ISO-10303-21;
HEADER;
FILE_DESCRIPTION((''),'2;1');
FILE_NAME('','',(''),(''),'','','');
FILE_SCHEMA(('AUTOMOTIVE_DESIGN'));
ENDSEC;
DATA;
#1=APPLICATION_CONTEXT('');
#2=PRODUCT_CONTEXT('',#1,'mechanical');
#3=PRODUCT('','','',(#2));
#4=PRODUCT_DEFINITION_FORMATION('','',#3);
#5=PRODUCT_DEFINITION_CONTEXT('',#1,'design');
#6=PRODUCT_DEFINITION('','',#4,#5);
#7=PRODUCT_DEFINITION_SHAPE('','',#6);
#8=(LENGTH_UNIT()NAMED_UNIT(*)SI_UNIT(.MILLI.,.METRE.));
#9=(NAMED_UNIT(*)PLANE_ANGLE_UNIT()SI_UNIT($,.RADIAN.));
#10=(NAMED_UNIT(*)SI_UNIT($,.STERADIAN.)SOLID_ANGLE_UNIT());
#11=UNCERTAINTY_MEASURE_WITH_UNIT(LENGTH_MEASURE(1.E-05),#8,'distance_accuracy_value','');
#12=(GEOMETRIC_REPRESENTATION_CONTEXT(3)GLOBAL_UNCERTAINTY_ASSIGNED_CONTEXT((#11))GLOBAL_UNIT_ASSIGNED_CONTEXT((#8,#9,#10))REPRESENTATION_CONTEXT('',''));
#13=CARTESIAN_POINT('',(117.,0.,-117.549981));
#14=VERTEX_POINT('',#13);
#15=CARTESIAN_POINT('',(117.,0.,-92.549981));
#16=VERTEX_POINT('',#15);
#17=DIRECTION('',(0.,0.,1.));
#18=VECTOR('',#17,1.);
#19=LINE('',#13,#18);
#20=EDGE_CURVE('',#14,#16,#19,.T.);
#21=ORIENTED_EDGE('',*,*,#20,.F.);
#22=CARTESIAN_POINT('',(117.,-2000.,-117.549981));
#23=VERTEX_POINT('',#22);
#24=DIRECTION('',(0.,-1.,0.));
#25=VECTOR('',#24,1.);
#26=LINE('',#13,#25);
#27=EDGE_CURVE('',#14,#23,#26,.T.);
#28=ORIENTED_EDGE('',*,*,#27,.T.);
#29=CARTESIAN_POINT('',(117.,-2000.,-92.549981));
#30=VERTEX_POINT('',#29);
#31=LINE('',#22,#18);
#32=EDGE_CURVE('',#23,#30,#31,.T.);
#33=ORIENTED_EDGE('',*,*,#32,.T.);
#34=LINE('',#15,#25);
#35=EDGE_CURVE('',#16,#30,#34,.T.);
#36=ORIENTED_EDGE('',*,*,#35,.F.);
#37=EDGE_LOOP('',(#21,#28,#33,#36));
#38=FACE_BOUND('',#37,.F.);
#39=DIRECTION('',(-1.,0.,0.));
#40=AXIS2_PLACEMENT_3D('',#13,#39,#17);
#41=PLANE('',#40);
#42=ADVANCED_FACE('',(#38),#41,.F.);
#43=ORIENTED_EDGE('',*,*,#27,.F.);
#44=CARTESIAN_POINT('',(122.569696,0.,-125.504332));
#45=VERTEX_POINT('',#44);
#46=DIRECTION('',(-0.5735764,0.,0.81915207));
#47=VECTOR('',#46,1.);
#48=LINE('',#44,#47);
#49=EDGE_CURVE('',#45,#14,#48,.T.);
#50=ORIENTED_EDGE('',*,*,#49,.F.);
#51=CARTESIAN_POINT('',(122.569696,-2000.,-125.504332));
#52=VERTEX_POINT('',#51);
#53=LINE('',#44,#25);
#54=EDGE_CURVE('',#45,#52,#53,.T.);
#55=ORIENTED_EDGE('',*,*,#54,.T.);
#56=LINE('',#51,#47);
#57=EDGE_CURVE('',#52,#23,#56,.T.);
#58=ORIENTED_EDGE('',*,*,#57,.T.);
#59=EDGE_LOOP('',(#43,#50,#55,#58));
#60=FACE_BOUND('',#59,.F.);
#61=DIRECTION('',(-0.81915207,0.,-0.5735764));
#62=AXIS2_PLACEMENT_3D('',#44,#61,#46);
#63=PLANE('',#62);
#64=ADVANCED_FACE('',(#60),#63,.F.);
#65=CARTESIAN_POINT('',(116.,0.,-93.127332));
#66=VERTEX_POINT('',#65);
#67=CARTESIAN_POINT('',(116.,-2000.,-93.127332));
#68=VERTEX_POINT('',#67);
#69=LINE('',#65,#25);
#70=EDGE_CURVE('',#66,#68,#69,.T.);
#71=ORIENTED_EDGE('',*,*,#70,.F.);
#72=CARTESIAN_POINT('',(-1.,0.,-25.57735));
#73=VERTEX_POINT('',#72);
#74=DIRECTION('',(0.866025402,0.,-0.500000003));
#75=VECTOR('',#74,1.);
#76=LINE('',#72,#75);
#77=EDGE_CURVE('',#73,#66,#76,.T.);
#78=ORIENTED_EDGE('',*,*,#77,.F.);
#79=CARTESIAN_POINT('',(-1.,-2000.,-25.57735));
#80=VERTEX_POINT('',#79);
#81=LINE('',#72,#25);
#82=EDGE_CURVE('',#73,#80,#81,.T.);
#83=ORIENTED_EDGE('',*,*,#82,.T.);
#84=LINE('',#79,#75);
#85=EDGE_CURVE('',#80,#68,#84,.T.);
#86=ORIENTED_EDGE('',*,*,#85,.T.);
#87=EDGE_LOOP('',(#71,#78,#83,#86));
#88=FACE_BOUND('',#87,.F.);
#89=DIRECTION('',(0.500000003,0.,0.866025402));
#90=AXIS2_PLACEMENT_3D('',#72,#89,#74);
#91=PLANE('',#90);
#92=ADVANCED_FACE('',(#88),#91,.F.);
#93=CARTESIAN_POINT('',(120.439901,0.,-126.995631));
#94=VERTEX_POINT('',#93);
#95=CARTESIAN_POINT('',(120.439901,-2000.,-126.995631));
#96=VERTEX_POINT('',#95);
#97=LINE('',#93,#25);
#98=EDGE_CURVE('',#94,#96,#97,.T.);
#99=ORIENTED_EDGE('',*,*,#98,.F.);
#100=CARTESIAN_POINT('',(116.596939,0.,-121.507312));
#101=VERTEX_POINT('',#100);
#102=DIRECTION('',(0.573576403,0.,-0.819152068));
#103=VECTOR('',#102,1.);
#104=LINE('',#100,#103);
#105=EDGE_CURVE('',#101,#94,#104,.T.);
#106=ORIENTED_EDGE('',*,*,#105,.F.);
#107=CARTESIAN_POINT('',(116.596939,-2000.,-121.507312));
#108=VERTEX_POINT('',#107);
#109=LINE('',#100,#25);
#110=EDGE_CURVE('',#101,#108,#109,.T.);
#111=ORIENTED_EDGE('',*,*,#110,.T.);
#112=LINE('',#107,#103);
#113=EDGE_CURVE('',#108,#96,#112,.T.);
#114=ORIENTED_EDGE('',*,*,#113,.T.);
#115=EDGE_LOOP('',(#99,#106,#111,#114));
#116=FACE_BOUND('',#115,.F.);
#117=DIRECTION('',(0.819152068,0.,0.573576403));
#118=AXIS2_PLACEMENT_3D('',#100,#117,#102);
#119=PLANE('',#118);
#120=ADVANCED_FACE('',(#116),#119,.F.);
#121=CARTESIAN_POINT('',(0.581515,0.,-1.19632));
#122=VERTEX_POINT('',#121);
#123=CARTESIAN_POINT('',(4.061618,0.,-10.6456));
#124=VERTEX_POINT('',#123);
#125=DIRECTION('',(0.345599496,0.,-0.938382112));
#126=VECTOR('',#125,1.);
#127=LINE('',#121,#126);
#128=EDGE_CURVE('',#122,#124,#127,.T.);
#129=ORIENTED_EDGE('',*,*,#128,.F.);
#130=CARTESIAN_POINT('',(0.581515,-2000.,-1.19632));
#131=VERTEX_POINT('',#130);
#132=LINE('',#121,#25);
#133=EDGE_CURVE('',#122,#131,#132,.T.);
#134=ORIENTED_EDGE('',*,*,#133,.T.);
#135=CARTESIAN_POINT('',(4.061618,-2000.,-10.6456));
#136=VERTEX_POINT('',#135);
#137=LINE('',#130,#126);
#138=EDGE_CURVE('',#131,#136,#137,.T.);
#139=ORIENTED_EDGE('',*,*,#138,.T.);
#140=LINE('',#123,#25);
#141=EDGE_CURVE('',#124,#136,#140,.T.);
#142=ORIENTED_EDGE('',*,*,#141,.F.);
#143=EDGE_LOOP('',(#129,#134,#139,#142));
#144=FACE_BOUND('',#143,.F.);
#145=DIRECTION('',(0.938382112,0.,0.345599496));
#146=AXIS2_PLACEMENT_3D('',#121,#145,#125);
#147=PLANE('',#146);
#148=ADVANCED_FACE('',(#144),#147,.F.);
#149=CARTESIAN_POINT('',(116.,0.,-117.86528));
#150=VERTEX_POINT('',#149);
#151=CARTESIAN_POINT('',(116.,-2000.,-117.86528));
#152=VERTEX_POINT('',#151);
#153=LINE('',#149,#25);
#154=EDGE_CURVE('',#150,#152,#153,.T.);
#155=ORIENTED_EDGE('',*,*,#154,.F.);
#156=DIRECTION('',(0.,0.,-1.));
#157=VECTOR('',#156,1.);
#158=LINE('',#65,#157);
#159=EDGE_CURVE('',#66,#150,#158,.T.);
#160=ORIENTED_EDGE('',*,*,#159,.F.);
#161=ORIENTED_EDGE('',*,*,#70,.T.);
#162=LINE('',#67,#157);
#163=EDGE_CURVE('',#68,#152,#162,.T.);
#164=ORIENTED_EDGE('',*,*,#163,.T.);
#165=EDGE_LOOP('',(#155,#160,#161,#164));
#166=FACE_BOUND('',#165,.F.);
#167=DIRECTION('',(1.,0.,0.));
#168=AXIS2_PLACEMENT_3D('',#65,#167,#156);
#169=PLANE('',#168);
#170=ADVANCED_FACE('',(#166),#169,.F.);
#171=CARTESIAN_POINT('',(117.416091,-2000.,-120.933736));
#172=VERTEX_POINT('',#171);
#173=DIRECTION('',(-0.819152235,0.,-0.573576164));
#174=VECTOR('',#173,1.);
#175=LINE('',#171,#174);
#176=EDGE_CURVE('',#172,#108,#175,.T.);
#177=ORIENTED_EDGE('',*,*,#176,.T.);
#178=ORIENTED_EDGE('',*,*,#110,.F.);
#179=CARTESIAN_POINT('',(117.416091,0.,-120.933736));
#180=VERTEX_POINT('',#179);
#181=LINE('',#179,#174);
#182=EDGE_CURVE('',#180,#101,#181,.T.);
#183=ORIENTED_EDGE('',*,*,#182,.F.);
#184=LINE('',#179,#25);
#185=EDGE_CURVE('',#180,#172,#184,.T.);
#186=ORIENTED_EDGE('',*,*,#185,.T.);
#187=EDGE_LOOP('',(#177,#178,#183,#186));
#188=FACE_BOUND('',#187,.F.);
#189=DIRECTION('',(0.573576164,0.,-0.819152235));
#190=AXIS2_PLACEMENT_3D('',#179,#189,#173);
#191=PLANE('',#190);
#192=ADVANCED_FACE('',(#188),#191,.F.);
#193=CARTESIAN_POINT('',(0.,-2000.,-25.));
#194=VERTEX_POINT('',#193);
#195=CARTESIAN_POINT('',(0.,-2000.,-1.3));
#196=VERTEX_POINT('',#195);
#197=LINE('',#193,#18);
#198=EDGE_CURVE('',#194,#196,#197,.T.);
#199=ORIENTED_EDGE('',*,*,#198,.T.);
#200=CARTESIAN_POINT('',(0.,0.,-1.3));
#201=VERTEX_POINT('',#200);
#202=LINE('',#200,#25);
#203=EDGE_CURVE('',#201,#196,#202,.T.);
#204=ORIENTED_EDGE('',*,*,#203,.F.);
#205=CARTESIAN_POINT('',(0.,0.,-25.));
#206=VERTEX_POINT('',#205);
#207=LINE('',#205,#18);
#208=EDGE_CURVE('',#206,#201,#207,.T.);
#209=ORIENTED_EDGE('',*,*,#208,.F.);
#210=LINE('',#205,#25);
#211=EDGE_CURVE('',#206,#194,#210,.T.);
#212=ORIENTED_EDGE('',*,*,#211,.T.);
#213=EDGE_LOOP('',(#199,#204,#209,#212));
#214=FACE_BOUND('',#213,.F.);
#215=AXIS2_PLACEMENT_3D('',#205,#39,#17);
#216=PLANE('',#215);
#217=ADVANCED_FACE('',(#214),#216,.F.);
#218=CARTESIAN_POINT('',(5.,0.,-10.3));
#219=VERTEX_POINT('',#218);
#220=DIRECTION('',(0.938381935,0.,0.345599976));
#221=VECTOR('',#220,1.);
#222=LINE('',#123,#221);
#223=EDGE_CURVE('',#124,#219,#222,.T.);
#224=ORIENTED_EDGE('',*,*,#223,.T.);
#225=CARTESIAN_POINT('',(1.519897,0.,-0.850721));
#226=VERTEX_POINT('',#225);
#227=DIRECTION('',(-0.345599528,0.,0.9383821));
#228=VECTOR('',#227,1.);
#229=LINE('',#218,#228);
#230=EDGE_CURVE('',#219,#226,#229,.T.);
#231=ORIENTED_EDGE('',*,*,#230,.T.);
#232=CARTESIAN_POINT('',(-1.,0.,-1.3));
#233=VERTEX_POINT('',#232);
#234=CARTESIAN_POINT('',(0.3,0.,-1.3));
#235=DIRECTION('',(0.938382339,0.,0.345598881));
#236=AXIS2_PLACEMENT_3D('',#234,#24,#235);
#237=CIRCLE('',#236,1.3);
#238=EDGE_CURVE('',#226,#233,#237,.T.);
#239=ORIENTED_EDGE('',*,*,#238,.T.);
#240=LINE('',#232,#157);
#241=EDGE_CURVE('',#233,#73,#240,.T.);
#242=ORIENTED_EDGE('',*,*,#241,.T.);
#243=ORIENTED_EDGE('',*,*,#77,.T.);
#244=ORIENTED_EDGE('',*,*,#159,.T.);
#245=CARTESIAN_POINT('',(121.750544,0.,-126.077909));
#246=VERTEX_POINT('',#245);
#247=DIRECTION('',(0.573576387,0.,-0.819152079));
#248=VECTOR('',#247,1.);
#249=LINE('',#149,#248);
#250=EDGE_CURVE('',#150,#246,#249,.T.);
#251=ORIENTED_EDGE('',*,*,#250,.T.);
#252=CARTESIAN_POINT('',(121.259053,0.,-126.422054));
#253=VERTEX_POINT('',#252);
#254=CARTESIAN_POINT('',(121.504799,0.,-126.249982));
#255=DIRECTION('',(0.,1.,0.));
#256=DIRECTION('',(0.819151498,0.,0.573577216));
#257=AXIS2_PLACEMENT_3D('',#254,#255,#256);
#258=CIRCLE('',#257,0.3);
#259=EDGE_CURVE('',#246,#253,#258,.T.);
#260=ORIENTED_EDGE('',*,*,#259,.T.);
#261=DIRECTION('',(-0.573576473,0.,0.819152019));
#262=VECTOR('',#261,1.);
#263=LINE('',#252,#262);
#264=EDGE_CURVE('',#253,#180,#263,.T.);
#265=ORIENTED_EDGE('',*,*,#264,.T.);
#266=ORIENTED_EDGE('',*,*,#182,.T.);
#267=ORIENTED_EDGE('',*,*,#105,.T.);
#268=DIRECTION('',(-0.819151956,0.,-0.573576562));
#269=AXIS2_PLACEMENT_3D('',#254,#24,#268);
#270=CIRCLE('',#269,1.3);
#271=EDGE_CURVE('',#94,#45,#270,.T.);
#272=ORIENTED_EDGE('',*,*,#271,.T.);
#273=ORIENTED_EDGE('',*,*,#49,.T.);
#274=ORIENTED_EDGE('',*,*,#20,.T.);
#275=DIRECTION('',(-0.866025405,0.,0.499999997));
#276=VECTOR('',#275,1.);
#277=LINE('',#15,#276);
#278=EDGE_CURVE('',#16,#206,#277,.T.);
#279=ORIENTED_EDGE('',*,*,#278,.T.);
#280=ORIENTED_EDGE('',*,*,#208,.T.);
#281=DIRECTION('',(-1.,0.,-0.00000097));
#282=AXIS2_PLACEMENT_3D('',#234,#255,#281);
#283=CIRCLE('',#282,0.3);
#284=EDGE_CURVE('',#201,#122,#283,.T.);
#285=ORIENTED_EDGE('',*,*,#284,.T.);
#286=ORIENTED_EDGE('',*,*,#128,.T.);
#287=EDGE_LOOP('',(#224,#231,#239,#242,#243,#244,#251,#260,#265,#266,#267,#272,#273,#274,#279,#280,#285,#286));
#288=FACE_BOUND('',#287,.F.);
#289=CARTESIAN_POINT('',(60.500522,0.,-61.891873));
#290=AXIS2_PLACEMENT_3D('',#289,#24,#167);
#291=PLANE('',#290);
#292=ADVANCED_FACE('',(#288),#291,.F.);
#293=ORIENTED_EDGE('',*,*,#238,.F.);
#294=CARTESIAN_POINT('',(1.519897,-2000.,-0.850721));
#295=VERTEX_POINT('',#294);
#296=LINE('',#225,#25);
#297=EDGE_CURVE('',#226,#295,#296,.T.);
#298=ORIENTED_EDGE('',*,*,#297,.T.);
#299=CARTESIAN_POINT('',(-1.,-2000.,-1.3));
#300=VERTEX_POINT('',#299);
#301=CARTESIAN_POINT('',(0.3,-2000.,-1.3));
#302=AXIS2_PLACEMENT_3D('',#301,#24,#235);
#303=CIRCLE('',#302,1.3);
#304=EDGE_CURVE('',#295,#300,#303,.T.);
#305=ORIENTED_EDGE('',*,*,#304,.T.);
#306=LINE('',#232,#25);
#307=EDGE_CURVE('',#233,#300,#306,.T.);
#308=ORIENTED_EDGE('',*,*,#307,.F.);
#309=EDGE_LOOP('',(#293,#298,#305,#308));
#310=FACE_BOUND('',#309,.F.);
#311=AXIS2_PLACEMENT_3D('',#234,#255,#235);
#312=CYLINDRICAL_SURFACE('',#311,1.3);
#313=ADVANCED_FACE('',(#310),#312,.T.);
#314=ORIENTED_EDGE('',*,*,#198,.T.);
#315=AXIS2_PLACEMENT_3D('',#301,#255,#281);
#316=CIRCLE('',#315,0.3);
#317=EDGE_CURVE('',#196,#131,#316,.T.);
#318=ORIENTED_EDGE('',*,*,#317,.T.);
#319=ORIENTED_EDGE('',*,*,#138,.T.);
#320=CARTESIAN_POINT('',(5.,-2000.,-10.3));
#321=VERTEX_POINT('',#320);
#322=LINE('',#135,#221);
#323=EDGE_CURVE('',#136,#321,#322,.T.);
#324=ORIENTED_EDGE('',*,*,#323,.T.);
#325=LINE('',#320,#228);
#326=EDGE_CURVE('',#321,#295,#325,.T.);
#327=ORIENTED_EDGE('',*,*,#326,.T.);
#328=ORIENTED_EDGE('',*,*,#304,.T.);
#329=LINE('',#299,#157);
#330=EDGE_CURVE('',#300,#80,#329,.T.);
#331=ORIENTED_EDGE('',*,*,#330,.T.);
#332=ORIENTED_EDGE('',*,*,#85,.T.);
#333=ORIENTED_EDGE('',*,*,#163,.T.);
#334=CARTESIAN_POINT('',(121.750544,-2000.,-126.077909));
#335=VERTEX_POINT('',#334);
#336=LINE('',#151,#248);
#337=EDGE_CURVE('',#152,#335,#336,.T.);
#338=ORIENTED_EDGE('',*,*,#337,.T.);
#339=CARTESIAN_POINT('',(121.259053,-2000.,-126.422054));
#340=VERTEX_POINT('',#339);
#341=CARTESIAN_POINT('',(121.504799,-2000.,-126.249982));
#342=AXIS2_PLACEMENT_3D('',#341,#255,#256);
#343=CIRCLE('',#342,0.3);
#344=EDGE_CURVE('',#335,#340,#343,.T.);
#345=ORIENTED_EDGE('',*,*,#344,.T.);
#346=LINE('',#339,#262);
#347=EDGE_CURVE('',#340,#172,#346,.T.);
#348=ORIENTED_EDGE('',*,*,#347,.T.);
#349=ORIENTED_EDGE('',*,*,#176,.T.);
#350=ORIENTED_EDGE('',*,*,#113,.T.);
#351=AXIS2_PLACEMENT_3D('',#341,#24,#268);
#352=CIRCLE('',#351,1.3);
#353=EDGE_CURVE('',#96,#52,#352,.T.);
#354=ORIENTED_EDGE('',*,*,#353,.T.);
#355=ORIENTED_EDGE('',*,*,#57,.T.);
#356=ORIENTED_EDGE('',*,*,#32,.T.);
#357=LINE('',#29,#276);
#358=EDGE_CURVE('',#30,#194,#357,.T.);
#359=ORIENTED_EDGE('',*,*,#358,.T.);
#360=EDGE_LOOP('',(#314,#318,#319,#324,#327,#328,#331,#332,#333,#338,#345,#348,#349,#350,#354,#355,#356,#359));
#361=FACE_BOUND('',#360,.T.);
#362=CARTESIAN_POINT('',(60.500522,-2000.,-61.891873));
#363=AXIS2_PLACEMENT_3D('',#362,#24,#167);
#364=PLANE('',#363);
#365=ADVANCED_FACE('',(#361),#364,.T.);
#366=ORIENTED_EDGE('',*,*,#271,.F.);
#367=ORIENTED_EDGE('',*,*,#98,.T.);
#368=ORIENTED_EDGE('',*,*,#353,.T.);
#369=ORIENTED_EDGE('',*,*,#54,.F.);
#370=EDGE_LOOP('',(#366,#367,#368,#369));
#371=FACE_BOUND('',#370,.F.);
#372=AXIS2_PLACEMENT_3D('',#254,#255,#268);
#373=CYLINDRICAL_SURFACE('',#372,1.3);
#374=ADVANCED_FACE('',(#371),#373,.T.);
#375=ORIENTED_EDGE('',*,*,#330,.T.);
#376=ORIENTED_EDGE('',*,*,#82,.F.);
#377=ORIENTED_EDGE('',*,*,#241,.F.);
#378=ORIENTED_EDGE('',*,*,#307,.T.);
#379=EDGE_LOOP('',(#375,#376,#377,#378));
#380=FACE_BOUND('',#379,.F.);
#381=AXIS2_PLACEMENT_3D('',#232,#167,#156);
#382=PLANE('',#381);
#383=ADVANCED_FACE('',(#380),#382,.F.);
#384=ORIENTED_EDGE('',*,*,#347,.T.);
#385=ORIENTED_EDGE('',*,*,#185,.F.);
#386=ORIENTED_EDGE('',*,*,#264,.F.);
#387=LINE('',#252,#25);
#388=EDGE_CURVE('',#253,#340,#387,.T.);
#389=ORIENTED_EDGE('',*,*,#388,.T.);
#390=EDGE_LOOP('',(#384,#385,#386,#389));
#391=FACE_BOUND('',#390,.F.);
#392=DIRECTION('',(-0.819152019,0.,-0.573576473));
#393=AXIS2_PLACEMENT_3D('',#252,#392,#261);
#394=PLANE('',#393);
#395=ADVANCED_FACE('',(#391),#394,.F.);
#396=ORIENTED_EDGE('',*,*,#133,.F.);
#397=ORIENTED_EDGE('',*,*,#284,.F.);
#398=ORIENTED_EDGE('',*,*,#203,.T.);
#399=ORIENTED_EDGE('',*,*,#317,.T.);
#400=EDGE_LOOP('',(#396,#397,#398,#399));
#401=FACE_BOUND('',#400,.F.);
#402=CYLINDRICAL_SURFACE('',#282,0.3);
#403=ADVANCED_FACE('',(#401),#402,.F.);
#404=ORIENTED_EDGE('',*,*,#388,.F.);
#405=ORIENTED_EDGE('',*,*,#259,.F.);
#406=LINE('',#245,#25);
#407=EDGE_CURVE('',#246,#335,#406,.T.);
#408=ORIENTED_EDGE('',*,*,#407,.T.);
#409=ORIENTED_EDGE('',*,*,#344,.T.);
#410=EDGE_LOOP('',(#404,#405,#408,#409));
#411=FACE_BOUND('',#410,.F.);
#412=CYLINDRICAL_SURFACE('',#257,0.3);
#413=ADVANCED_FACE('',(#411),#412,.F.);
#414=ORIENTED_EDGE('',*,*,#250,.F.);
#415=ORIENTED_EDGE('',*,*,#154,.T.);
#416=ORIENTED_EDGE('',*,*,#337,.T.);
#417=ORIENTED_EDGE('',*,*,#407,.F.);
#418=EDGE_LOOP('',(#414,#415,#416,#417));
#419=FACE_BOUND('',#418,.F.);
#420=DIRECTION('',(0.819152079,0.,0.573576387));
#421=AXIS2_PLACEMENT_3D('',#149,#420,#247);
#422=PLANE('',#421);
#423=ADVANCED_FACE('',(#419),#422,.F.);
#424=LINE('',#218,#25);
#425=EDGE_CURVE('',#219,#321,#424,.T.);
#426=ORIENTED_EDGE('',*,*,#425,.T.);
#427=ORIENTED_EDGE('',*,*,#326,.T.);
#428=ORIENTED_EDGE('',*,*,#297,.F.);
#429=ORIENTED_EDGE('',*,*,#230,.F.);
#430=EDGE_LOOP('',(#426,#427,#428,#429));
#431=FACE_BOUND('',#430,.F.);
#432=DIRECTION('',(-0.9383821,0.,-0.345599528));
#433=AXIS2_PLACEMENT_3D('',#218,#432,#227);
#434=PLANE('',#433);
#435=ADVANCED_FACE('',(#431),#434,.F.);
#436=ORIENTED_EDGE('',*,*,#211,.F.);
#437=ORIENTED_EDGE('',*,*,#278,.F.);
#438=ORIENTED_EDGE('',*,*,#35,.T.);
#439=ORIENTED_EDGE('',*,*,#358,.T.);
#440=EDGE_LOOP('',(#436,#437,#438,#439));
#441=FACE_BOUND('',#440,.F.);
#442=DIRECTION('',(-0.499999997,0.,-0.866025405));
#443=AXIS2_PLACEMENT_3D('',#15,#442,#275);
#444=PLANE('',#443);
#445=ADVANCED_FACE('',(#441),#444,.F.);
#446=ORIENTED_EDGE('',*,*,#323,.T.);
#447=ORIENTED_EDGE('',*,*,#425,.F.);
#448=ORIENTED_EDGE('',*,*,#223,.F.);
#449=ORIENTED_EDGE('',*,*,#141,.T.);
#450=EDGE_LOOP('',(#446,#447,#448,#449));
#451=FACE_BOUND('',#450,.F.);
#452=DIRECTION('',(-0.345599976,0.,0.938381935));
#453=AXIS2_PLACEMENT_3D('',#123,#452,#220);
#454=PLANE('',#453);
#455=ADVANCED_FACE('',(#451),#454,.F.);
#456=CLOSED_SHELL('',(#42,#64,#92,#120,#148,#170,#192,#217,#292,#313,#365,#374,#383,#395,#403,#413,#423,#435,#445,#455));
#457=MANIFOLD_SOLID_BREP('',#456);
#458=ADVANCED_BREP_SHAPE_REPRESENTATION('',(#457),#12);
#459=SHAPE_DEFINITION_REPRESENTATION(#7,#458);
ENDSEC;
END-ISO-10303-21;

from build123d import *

# Parameters (mm, degrees)
F1_DEPTH = 2000


with BuildPart() as f1:
    # F0 (on Front) → F1 (new body)
    with BuildSketch(Plane.XZ):
        with BuildLine():
            Line((0, -25), (0, -1.3))
            ThreePointArc((0, -1.3), (0.247343, -1.004657), (0.581515, -1.19632))
            Line((0.581515, -1.19632), (4.061618, -10.6456))
            Line((4.061618, -10.6456), (5, -10.3))
            Line((5, -10.3), (1.519897, -0.850721))
            ThreePointArc((1.519897, -0.850721), (0.071818, -0.020182), (-1, -1.3))
            Line((-1, -1.3), (-1, -25.57735))
            Line((-1, -25.57735), (116, -93.127332))
            Line((116, -93.127332), (116, -117.86528))
            Line((116, -117.86528), (121.750544, -126.077909))
            ThreePointArc((121.750544, -126.077909), (121.676872, -126.495727), (121.259053, -126.422054))
            Line((121.259053, -126.422054), (117.416091, -120.933736))
            Line((117.416091, -120.933736), (116.596939, -121.507312))
            Line((116.596939, -121.507312), (120.439901, -126.995631))
            ThreePointArc((120.439901, -126.995631), (122.250448, -127.314879), (122.569696, -125.504332))
            Line((122.569696, -125.504332), (117, -117.549981))
            Line((117, -117.549981), (117, -92.549981))
            Line((117, -92.549981), (0, -25))
        make_face()
    extrude(amount=F1_DEPTH)


solid = f1.part
